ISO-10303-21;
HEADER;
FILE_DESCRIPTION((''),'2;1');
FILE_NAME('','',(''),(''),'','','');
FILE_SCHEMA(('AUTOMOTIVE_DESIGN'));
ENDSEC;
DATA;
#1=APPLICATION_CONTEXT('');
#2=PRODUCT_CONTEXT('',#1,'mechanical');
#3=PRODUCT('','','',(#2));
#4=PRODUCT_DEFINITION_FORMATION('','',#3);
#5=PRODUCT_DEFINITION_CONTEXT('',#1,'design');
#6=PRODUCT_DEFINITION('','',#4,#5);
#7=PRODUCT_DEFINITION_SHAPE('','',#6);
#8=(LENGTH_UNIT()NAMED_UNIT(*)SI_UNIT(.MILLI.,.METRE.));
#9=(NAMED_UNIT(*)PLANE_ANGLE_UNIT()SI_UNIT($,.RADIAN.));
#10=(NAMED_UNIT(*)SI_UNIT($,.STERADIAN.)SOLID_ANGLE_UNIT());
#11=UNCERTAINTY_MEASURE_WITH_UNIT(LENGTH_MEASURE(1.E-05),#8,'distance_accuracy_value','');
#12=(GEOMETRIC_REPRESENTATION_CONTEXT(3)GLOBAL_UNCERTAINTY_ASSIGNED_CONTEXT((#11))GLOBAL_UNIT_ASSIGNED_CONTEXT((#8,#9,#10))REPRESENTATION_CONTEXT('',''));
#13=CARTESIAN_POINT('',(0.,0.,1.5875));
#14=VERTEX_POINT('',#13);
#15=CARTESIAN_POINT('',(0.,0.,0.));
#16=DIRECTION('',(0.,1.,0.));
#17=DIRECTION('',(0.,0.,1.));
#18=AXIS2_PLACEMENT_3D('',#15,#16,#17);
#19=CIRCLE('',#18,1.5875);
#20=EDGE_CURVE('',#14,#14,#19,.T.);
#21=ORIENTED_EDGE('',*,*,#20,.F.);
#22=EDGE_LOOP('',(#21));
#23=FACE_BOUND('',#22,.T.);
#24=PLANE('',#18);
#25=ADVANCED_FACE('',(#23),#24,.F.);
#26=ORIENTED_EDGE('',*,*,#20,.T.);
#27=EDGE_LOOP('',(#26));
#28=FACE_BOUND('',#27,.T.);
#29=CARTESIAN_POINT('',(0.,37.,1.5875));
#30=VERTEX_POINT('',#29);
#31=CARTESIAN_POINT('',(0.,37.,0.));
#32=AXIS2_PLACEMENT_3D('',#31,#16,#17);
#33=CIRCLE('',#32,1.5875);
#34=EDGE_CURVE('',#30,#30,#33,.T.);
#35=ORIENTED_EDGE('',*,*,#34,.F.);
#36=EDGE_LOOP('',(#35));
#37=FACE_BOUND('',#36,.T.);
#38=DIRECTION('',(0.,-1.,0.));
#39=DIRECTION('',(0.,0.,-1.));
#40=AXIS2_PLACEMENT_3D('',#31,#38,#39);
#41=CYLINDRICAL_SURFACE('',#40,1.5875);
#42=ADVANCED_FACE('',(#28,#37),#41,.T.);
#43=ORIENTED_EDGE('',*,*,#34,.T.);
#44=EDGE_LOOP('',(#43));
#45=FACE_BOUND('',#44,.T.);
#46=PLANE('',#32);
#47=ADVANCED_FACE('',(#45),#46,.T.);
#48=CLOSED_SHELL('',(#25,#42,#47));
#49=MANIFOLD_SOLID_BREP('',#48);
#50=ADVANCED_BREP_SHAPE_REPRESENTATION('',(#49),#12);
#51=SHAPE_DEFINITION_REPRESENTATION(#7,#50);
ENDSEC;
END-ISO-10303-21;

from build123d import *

# Parameters (mm, degrees)
SKETCH1_R           = 1.5875
BOSS_EXTRUDE1_DEPTH = 37


with BuildPart() as part:
    # Sketch1 → Boss-Extrude1 (new body)
    with BuildSketch(Plane(origin=(0, 0, 0), x_dir=(1, 0, 0), z_dir=(0, 1, 0))):
        with Locations(Location((0, 0, 0), (0, 0, 270))):
            Circle(SKETCH1_R)
    extrude(amount=BOSS_EXTRUDE1_DEPTH)


solid = part.part
